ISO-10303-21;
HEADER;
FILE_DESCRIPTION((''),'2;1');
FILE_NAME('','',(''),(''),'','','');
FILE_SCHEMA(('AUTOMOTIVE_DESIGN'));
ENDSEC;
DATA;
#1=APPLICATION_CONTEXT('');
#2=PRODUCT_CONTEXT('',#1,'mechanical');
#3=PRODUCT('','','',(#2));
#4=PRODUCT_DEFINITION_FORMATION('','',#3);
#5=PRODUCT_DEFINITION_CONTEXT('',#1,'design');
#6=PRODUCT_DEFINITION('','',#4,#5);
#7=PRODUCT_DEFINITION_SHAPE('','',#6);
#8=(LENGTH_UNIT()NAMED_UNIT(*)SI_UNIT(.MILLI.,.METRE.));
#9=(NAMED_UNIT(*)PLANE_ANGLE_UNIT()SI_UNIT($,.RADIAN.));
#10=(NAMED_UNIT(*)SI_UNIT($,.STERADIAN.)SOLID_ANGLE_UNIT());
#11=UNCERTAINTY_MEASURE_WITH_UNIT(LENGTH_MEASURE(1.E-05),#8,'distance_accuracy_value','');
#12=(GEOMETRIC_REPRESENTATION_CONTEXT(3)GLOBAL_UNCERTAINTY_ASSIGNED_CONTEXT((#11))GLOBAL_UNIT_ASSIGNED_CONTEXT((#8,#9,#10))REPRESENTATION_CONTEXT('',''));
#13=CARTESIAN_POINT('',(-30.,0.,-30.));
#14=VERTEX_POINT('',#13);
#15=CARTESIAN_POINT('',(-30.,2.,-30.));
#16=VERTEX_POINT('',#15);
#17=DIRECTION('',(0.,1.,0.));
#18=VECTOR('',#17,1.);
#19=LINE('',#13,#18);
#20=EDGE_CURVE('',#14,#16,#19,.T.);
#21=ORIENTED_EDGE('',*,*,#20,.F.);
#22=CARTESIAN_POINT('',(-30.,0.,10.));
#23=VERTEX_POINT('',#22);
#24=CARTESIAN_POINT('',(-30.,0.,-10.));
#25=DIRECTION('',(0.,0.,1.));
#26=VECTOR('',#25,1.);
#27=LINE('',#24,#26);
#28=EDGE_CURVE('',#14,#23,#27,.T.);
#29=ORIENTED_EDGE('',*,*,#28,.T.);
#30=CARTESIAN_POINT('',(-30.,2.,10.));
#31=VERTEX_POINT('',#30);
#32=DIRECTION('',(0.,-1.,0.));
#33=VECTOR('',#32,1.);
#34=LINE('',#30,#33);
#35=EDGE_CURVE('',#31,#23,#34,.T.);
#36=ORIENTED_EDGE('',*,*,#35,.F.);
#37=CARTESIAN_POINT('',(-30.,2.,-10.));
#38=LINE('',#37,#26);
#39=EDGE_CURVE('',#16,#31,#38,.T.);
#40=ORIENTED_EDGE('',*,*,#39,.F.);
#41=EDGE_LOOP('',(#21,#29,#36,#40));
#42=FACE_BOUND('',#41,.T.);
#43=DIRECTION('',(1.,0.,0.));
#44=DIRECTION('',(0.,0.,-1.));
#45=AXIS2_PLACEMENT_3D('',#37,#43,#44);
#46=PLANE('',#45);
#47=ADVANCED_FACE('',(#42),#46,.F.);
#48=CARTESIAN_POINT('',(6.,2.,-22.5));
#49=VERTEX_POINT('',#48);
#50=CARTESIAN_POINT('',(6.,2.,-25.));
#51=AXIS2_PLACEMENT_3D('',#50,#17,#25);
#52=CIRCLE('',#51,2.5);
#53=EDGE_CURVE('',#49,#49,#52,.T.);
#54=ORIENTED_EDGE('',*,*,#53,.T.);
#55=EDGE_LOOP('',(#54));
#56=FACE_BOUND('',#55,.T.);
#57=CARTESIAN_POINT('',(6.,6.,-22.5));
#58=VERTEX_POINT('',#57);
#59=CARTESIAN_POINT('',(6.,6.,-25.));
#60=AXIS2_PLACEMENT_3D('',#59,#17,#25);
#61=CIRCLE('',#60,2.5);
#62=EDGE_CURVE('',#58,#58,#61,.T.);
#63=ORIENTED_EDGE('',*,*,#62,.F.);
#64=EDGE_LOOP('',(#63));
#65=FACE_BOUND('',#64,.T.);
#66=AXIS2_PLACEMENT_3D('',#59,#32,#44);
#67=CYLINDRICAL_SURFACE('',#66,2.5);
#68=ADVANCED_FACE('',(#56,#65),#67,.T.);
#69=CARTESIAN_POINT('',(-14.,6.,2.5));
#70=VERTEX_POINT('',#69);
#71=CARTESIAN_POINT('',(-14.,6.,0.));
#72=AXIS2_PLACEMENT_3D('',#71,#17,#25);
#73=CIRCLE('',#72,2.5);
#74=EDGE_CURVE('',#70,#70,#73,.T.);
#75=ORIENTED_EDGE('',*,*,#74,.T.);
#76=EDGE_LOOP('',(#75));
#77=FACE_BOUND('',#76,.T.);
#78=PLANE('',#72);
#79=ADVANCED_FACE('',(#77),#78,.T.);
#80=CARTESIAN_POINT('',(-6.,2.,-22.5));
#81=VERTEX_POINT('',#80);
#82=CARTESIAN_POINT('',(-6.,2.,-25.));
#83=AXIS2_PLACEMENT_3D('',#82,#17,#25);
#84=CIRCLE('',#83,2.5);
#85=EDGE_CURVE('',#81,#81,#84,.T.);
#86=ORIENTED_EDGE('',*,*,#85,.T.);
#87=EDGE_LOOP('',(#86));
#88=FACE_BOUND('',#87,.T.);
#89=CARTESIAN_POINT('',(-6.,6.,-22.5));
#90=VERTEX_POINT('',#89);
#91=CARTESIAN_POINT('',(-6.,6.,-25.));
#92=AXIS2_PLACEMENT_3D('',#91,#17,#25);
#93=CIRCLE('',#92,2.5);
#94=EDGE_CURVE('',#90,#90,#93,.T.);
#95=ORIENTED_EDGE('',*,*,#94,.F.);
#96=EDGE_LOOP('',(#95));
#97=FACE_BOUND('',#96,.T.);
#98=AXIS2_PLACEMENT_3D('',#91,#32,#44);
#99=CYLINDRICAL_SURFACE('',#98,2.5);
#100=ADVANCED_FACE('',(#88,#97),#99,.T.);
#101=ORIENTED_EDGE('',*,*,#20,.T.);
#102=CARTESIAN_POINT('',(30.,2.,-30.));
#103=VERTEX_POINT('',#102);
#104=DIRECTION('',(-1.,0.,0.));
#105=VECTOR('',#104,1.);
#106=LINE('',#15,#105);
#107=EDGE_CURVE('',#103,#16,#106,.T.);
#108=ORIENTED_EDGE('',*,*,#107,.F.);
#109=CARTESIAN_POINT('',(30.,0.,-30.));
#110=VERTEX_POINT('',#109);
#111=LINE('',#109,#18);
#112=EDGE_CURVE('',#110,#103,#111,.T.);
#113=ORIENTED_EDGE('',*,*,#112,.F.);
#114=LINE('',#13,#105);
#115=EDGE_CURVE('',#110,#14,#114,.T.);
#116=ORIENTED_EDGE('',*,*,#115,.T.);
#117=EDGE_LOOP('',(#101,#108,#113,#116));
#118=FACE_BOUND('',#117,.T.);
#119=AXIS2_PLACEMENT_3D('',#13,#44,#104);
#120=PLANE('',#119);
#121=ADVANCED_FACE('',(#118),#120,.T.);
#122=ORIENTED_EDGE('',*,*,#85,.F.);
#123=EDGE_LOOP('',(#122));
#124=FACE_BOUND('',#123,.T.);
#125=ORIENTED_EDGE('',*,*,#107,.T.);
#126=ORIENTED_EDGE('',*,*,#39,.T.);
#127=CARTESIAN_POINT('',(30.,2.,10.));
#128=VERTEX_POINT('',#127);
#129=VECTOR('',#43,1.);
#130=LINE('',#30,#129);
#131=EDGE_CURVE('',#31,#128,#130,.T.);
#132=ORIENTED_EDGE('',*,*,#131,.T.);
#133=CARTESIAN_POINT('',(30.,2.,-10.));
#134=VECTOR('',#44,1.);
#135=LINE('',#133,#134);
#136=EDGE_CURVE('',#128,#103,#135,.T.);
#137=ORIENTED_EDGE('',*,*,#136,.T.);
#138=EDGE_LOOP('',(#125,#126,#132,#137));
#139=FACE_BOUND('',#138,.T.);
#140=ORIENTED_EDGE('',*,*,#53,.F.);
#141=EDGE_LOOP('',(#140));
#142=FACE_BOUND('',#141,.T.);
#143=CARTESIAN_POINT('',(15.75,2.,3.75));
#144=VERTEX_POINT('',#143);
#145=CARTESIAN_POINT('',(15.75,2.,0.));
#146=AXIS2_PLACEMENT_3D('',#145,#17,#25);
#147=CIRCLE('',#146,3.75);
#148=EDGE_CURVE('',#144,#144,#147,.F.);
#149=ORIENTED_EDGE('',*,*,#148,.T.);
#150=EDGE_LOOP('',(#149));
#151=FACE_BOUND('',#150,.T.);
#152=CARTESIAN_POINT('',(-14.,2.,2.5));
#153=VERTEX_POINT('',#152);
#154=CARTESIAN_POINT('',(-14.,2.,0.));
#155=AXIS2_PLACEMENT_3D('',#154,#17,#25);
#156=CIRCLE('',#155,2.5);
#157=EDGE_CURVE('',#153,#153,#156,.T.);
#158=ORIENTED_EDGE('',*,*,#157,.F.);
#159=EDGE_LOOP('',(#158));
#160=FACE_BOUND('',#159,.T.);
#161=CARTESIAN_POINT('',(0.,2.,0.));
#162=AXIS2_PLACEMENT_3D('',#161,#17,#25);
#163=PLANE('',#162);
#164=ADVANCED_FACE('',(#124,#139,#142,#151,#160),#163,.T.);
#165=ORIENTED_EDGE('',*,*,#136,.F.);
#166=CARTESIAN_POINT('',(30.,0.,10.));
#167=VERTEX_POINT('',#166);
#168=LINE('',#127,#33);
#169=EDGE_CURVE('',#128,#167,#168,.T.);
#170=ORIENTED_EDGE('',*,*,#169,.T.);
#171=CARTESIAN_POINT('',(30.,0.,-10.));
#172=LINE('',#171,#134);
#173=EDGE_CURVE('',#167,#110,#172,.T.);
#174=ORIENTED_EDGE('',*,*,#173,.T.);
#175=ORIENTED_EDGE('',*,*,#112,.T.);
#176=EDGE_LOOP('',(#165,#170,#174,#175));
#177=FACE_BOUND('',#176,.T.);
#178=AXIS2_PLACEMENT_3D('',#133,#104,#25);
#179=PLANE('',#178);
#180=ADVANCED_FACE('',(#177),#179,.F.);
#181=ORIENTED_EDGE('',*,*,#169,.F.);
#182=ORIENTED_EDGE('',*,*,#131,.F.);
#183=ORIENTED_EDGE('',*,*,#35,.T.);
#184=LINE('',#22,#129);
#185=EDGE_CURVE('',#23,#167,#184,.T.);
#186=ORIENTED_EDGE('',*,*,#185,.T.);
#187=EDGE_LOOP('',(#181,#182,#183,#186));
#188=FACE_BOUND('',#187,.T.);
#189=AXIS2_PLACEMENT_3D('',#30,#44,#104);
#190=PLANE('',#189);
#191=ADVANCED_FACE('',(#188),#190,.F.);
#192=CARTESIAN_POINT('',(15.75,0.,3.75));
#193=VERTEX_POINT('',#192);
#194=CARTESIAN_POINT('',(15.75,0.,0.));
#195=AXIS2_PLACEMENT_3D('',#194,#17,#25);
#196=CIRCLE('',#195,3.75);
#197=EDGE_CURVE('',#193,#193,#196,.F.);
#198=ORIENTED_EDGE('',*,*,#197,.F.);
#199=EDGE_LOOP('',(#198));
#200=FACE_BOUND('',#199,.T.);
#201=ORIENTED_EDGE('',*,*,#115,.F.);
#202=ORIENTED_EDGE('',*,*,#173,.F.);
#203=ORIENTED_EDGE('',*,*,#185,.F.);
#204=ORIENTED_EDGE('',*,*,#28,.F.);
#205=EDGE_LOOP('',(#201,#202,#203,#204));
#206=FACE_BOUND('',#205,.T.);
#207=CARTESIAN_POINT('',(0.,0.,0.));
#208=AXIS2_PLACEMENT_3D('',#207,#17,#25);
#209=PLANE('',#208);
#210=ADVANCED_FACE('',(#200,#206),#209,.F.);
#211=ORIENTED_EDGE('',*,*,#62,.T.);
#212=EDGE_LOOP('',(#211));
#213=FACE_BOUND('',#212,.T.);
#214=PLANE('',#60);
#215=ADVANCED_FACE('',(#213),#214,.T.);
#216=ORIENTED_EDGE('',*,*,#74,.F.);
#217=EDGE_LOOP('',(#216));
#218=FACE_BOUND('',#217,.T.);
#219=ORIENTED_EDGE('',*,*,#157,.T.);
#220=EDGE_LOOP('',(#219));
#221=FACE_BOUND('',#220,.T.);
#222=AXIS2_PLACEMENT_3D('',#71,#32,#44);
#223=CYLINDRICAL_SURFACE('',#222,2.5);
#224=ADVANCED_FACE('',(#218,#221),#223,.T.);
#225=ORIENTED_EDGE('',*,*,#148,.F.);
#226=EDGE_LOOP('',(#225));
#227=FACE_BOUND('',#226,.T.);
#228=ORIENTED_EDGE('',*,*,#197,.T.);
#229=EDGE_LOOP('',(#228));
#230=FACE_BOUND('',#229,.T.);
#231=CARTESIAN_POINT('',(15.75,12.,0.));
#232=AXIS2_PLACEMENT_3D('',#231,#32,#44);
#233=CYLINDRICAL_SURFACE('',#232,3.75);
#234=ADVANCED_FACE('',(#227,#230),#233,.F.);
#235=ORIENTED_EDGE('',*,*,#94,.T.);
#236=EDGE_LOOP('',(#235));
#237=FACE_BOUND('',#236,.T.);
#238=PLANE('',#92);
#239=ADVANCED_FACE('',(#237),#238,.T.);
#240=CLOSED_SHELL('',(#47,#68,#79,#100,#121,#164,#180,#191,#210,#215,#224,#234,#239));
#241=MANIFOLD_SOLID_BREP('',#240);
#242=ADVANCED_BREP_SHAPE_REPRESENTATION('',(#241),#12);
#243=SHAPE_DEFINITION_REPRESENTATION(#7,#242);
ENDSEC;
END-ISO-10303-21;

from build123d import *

# Parameters (mm, degrees)
SKETCH1_W               = 60
SKETCH1_H               = 20
BOSS_EXTRUDE1_DEPTH     = 2
SKETCH2_R               = 2.5
BOSS_EXTRUDE2_DEPTH     = 4
SKETCH3_R               = 1
BOSS_EXTRUDE3_DEPTH     = 4
CUT_EXTRUDE1_DEPTH      = 10
CUT_EXTRUDE1_DEPTH_BACK = 10
SKETCH4_R               = 3.75
SKETCH5_W               = 60
SKETCH5_H               = 20
BOSS_EXTRUDE4_DEPTH     = 2
SKETCH6_R               = 2.5
BOSS_EXTRUDE5_DEPTH     = 4


with BuildPart() as part:
    # Sketch1 → Boss-Extrude1 (new body)
    with BuildSketch(Plane(origin=(0, 0, 0), x_dir=(1, 0, 0), z_dir=(0, 1, 0))):
        Rectangle(SKETCH1_W, SKETCH1_H)
    extrude(amount=BOSS_EXTRUDE1_DEPTH)

    # Sketch2 → Boss-Extrude2 (add)
    with BuildSketch(Plane(origin=(0, 2, 0), x_dir=(1, 0, 0), z_dir=(0, 1, 0))):
        with Locations(Location((-14, 0, 0), (0, 0, 270))):
            Circle(SKETCH2_R)
    extrude(amount=BOSS_EXTRUDE2_DEPTH)

    # Sketch3 → Boss-Extrude3 (add)
    with BuildSketch(Plane(origin=(0, 2, 0), x_dir=(1, 0, 0), z_dir=(0, 1, 0))):
        with Locations(Location((15.75, 0, 0), (0, 0, 270))):
            Circle(SKETCH3_R)
    extrude(amount=BOSS_EXTRUDE3_DEPTH)

    # Sketch4 → Cut-Extrude1 (cut, two sides: drawn at the far end of the back side and taken through both)
    with BuildSketch(Plane(origin=(0, 2, 0), x_dir=(1, 0, 0), z_dir=(0, 1, 0)).offset(-CUT_EXTRUDE1_DEPTH_BACK)):
        with Locations(Location((15.75, 0, 0), (0, 0, 270))):
            Circle(SKETCH4_R)
    extrude(amount=CUT_EXTRUDE1_DEPTH + CUT_EXTRUDE1_DEPTH_BACK, mode=Mode.SUBTRACT)

    # Sketch5 → Boss-Extrude4 (add)
    with BuildSketch(Plane(origin=(0, 2, 0), x_dir=(1, 0, 0), z_dir=(0, 1, 0))):
        with Locations((0, 20)):
            Rectangle(SKETCH5_W, SKETCH5_H)
    extrude(amount=-BOSS_EXTRUDE4_DEPTH)

    # Sketch6 → Boss-Extrude5 (add)
    with BuildSketch(Plane(origin=(0, 2, 0), x_dir=(1, 0, 0), z_dir=(0, 1, 0))):
        with Locations(Location((-6, 25, 0), (0, 0, 270))):
            Circle(SKETCH6_R)
        with Locations(Location((6, 25, 0), (0, 0, 270))):
            Circle(SKETCH6_R)
    extrude(amount=BOSS_EXTRUDE5_DEPTH)


solid = part.part
